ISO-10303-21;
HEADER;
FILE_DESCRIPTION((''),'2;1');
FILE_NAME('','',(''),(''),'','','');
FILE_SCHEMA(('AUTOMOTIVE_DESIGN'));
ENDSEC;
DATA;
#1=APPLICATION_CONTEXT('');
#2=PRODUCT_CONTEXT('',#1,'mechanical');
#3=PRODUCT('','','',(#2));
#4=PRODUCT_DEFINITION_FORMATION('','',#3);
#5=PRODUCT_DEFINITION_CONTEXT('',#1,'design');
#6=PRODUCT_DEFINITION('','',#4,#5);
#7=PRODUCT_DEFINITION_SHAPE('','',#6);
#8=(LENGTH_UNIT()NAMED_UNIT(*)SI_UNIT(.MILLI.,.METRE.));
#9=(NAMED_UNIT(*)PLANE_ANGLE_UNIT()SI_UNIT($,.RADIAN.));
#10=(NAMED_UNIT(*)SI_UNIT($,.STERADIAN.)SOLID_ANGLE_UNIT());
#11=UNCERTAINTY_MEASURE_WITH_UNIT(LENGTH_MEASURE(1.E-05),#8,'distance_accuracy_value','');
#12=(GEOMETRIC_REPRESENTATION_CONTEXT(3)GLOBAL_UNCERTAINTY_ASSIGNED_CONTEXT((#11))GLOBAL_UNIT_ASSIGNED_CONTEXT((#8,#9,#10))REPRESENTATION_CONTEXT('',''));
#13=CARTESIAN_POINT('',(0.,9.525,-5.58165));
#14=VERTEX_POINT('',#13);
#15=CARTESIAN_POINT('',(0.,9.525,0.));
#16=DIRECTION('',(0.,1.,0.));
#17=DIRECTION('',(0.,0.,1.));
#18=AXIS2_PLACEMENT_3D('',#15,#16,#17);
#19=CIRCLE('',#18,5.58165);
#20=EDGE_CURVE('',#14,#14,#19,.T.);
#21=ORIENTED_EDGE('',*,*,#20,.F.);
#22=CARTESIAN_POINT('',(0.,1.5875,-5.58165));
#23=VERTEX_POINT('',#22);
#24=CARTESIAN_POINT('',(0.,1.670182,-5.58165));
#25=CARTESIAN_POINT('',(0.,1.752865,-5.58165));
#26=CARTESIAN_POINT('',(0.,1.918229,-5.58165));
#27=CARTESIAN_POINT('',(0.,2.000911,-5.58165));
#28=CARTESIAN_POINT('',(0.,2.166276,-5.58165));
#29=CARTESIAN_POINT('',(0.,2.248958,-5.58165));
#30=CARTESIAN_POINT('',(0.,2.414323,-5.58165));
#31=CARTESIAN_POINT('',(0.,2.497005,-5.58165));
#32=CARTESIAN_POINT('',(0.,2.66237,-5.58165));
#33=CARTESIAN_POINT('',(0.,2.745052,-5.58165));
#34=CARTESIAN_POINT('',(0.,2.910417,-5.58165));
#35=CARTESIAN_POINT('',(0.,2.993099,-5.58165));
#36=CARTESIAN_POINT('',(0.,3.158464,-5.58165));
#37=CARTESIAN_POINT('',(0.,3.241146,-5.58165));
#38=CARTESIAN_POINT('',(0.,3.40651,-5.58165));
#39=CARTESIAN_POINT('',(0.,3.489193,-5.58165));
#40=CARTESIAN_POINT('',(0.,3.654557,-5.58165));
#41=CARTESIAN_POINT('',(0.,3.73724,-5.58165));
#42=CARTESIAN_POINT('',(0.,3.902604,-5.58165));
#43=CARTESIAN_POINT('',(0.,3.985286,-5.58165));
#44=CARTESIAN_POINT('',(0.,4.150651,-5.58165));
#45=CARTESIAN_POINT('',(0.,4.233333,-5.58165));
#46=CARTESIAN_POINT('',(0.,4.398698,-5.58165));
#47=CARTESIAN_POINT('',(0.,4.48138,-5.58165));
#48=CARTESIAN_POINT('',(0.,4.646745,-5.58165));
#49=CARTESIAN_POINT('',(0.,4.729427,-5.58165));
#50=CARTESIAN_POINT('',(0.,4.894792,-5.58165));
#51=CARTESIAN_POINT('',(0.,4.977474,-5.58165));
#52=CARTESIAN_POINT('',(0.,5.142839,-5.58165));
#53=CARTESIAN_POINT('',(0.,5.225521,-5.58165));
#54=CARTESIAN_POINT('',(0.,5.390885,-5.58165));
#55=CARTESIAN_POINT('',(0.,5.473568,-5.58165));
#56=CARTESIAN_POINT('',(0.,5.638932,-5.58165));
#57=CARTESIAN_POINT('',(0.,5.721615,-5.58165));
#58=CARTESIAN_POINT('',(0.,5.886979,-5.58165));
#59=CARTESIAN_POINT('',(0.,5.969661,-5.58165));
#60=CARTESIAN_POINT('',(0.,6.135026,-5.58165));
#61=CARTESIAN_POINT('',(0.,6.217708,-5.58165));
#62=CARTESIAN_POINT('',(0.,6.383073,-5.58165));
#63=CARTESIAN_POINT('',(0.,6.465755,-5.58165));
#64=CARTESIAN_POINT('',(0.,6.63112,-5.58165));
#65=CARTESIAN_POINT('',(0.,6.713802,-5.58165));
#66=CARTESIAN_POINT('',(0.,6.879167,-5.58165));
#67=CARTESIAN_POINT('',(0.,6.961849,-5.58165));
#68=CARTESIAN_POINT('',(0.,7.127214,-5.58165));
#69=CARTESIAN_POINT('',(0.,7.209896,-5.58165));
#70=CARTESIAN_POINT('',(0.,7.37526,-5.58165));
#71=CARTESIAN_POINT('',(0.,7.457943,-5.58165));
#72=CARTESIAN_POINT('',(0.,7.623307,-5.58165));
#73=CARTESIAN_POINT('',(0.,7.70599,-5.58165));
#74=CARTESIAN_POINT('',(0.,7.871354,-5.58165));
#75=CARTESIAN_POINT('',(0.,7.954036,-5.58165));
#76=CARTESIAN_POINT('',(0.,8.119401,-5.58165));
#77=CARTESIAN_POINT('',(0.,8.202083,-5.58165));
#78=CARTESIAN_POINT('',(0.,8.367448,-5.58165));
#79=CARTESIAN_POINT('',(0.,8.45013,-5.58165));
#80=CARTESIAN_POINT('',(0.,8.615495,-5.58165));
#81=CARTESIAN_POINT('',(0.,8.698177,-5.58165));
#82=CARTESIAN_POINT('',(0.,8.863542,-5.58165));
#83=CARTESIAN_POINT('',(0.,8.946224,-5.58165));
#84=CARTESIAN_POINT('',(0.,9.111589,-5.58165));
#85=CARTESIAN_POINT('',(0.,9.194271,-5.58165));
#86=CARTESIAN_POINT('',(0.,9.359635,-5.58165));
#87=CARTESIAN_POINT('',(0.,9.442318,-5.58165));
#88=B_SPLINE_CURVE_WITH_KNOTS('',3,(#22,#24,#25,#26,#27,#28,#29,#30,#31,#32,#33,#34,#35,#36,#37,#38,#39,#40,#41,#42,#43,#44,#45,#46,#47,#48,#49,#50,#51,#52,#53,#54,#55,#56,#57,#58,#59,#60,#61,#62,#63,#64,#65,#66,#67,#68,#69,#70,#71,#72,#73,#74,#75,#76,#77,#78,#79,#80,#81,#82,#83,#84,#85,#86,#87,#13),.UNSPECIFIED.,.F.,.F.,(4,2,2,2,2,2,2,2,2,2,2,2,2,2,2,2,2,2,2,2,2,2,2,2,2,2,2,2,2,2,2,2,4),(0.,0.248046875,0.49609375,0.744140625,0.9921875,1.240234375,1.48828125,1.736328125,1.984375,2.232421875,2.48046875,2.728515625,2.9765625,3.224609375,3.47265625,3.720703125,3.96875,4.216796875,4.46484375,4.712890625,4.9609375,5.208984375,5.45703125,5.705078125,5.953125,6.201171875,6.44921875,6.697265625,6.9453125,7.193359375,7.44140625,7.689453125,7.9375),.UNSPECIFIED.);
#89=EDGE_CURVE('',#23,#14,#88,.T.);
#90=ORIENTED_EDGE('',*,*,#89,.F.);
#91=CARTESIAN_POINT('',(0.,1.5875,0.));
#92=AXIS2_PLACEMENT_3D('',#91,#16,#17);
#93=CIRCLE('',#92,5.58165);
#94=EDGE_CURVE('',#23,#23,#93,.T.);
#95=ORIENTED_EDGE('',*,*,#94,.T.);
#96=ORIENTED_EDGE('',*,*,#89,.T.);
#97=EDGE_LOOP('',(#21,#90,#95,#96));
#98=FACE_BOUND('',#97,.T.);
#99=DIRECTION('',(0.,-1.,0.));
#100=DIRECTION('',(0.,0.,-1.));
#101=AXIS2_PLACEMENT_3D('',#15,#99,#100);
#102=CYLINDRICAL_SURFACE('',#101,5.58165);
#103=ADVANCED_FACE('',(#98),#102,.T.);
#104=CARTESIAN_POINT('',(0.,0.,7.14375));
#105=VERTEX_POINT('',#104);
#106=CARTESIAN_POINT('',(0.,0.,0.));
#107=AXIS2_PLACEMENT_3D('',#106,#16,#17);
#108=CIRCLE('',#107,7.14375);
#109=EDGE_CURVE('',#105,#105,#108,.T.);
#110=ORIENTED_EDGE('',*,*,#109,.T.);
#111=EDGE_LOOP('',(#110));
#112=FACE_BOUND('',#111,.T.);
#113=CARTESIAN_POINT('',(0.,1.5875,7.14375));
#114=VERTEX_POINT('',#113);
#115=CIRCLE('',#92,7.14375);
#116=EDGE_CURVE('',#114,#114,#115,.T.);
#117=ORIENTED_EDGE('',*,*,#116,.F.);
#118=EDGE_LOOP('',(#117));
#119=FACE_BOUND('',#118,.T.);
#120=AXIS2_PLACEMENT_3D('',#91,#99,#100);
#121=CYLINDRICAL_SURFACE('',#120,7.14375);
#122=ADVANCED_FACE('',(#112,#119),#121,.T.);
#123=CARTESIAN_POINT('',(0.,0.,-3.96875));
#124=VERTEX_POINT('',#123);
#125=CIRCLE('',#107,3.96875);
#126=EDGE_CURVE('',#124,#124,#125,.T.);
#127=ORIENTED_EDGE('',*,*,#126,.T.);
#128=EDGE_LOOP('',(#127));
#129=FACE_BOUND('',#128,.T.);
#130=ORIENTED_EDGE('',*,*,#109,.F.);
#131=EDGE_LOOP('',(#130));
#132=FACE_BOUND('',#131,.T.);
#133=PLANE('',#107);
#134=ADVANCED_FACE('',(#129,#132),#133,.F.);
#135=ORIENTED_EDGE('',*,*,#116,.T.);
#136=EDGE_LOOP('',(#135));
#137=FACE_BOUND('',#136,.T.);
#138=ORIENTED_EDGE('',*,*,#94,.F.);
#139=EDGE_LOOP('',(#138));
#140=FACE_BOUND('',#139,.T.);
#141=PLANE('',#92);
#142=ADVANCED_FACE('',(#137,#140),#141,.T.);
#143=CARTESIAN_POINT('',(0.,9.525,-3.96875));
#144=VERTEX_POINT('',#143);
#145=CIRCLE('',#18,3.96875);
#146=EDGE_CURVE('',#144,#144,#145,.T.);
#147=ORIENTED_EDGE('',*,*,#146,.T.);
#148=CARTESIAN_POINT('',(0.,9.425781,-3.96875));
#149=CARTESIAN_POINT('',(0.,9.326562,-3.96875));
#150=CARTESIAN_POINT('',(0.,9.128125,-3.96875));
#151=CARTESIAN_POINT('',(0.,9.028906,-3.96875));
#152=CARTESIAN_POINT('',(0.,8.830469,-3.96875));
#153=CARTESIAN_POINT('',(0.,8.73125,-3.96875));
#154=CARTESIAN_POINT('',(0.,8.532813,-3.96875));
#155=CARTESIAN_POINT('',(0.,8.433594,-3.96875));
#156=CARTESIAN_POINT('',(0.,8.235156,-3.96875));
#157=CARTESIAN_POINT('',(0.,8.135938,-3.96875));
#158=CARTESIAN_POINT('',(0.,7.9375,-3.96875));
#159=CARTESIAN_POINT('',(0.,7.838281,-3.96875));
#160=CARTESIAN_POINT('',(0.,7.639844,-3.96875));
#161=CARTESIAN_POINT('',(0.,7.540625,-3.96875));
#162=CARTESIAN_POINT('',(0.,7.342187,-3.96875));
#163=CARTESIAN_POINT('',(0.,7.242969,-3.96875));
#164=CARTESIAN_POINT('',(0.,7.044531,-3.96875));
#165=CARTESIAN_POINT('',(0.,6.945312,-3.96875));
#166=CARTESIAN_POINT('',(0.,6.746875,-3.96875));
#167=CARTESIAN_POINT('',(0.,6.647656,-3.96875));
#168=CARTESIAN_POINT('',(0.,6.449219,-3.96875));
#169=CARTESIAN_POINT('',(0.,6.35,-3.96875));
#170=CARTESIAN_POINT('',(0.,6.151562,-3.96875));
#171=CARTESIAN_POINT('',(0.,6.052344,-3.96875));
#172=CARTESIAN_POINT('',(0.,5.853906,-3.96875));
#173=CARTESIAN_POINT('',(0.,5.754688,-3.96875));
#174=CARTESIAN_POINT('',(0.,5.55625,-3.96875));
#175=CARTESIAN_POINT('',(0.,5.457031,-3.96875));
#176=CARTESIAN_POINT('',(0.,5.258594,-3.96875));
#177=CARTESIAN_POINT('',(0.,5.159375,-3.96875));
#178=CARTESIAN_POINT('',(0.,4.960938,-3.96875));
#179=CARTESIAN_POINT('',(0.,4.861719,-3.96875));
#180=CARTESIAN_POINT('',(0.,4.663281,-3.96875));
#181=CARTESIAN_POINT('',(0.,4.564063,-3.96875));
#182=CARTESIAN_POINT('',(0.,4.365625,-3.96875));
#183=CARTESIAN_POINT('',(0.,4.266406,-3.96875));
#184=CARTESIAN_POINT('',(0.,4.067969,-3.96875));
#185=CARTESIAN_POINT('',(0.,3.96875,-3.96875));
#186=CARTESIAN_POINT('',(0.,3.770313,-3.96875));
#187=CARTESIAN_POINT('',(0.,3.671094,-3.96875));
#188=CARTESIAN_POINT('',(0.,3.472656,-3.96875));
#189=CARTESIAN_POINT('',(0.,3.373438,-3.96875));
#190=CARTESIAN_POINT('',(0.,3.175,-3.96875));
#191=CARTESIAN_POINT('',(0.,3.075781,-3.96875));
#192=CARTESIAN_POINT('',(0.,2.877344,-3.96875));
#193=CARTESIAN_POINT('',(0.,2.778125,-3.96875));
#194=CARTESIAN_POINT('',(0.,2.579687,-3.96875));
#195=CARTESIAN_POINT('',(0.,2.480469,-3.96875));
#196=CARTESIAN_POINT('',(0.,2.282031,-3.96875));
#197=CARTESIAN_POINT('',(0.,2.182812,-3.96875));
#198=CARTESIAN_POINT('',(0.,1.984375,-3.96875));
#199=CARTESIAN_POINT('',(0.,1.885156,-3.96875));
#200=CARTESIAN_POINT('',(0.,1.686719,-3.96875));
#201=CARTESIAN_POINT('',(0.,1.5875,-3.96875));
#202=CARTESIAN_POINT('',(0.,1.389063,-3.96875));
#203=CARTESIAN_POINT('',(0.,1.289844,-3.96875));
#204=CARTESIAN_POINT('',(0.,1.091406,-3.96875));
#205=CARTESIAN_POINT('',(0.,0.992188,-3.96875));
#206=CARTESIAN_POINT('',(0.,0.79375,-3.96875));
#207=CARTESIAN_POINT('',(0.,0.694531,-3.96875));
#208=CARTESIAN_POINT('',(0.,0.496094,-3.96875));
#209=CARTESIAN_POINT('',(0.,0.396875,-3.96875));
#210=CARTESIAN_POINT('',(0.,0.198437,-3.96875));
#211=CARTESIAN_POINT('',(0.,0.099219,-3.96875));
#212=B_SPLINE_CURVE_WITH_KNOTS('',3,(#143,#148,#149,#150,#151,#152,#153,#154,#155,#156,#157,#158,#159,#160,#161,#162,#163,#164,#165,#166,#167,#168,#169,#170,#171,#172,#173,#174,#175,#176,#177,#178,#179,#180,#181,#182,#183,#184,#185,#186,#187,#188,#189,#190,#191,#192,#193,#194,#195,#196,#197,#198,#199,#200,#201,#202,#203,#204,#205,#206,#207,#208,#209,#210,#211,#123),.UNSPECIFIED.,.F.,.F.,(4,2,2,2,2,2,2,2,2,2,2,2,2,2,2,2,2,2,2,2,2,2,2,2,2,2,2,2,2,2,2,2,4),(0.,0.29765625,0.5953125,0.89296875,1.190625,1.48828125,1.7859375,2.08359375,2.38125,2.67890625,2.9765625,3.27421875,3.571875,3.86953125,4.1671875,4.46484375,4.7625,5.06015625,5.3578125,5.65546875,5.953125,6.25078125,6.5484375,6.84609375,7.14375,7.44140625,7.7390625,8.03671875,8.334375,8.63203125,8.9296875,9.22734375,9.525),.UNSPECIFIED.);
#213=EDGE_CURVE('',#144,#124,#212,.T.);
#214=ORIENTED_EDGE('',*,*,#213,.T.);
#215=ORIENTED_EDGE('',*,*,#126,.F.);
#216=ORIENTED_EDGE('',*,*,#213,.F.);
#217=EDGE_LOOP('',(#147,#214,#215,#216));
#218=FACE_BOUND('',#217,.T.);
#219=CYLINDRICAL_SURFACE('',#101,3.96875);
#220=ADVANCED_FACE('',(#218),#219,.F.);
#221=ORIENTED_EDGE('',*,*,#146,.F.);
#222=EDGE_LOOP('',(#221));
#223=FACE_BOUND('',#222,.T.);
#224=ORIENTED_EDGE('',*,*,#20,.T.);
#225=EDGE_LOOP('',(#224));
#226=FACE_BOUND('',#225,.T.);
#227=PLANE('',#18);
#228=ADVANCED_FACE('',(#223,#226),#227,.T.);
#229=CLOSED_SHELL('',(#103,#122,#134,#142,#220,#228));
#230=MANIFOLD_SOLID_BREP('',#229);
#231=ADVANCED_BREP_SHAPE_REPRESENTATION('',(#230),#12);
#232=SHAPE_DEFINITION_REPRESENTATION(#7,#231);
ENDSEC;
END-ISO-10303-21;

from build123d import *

# Parameters (mm, degrees)
SKETCH2_R           = 5.58165
SKETCH2_R_2         = 3.96875
BOSS_EXTRUDE1_DEPTH = 9.525
SKETCH3_R           = 7.14375
SKETCH3_R_2         = 5.58165
BOSS_EXTRUDE2_DEPTH = 1.5875


with BuildPart() as part:
    # Sketch2 → Boss-Extrude1 (new body)
    with BuildSketch(Plane(origin=(0, 0, 0), x_dir=(1, 0, 0), z_dir=(0, 1, 0))):
        with Locations(Location((0, 0, 0), (0, 0, 90))):
            Circle(SKETCH2_R)
        with Locations(Location((0, 0, 0), (0, 0, 90))):
            Circle(SKETCH2_R_2, mode=Mode.SUBTRACT)
    extrude(amount=BOSS_EXTRUDE1_DEPTH)

    # Sketch3 → Boss-Extrude2 (add)
    with BuildSketch(Plane(origin=(0, 0, 0), x_dir=(1, 0, 0), z_dir=(0, 1, 0))):
        with Locations(Location((0, 0, 0), (0, 0, 270))):
            Circle(SKETCH3_R)
        with Locations(Location((0, 0, 0), (0, 0, 90))):
            Circle(SKETCH3_R_2, mode=Mode.SUBTRACT)
    extrude(amount=BOSS_EXTRUDE2_DEPTH)


solid = part.part
